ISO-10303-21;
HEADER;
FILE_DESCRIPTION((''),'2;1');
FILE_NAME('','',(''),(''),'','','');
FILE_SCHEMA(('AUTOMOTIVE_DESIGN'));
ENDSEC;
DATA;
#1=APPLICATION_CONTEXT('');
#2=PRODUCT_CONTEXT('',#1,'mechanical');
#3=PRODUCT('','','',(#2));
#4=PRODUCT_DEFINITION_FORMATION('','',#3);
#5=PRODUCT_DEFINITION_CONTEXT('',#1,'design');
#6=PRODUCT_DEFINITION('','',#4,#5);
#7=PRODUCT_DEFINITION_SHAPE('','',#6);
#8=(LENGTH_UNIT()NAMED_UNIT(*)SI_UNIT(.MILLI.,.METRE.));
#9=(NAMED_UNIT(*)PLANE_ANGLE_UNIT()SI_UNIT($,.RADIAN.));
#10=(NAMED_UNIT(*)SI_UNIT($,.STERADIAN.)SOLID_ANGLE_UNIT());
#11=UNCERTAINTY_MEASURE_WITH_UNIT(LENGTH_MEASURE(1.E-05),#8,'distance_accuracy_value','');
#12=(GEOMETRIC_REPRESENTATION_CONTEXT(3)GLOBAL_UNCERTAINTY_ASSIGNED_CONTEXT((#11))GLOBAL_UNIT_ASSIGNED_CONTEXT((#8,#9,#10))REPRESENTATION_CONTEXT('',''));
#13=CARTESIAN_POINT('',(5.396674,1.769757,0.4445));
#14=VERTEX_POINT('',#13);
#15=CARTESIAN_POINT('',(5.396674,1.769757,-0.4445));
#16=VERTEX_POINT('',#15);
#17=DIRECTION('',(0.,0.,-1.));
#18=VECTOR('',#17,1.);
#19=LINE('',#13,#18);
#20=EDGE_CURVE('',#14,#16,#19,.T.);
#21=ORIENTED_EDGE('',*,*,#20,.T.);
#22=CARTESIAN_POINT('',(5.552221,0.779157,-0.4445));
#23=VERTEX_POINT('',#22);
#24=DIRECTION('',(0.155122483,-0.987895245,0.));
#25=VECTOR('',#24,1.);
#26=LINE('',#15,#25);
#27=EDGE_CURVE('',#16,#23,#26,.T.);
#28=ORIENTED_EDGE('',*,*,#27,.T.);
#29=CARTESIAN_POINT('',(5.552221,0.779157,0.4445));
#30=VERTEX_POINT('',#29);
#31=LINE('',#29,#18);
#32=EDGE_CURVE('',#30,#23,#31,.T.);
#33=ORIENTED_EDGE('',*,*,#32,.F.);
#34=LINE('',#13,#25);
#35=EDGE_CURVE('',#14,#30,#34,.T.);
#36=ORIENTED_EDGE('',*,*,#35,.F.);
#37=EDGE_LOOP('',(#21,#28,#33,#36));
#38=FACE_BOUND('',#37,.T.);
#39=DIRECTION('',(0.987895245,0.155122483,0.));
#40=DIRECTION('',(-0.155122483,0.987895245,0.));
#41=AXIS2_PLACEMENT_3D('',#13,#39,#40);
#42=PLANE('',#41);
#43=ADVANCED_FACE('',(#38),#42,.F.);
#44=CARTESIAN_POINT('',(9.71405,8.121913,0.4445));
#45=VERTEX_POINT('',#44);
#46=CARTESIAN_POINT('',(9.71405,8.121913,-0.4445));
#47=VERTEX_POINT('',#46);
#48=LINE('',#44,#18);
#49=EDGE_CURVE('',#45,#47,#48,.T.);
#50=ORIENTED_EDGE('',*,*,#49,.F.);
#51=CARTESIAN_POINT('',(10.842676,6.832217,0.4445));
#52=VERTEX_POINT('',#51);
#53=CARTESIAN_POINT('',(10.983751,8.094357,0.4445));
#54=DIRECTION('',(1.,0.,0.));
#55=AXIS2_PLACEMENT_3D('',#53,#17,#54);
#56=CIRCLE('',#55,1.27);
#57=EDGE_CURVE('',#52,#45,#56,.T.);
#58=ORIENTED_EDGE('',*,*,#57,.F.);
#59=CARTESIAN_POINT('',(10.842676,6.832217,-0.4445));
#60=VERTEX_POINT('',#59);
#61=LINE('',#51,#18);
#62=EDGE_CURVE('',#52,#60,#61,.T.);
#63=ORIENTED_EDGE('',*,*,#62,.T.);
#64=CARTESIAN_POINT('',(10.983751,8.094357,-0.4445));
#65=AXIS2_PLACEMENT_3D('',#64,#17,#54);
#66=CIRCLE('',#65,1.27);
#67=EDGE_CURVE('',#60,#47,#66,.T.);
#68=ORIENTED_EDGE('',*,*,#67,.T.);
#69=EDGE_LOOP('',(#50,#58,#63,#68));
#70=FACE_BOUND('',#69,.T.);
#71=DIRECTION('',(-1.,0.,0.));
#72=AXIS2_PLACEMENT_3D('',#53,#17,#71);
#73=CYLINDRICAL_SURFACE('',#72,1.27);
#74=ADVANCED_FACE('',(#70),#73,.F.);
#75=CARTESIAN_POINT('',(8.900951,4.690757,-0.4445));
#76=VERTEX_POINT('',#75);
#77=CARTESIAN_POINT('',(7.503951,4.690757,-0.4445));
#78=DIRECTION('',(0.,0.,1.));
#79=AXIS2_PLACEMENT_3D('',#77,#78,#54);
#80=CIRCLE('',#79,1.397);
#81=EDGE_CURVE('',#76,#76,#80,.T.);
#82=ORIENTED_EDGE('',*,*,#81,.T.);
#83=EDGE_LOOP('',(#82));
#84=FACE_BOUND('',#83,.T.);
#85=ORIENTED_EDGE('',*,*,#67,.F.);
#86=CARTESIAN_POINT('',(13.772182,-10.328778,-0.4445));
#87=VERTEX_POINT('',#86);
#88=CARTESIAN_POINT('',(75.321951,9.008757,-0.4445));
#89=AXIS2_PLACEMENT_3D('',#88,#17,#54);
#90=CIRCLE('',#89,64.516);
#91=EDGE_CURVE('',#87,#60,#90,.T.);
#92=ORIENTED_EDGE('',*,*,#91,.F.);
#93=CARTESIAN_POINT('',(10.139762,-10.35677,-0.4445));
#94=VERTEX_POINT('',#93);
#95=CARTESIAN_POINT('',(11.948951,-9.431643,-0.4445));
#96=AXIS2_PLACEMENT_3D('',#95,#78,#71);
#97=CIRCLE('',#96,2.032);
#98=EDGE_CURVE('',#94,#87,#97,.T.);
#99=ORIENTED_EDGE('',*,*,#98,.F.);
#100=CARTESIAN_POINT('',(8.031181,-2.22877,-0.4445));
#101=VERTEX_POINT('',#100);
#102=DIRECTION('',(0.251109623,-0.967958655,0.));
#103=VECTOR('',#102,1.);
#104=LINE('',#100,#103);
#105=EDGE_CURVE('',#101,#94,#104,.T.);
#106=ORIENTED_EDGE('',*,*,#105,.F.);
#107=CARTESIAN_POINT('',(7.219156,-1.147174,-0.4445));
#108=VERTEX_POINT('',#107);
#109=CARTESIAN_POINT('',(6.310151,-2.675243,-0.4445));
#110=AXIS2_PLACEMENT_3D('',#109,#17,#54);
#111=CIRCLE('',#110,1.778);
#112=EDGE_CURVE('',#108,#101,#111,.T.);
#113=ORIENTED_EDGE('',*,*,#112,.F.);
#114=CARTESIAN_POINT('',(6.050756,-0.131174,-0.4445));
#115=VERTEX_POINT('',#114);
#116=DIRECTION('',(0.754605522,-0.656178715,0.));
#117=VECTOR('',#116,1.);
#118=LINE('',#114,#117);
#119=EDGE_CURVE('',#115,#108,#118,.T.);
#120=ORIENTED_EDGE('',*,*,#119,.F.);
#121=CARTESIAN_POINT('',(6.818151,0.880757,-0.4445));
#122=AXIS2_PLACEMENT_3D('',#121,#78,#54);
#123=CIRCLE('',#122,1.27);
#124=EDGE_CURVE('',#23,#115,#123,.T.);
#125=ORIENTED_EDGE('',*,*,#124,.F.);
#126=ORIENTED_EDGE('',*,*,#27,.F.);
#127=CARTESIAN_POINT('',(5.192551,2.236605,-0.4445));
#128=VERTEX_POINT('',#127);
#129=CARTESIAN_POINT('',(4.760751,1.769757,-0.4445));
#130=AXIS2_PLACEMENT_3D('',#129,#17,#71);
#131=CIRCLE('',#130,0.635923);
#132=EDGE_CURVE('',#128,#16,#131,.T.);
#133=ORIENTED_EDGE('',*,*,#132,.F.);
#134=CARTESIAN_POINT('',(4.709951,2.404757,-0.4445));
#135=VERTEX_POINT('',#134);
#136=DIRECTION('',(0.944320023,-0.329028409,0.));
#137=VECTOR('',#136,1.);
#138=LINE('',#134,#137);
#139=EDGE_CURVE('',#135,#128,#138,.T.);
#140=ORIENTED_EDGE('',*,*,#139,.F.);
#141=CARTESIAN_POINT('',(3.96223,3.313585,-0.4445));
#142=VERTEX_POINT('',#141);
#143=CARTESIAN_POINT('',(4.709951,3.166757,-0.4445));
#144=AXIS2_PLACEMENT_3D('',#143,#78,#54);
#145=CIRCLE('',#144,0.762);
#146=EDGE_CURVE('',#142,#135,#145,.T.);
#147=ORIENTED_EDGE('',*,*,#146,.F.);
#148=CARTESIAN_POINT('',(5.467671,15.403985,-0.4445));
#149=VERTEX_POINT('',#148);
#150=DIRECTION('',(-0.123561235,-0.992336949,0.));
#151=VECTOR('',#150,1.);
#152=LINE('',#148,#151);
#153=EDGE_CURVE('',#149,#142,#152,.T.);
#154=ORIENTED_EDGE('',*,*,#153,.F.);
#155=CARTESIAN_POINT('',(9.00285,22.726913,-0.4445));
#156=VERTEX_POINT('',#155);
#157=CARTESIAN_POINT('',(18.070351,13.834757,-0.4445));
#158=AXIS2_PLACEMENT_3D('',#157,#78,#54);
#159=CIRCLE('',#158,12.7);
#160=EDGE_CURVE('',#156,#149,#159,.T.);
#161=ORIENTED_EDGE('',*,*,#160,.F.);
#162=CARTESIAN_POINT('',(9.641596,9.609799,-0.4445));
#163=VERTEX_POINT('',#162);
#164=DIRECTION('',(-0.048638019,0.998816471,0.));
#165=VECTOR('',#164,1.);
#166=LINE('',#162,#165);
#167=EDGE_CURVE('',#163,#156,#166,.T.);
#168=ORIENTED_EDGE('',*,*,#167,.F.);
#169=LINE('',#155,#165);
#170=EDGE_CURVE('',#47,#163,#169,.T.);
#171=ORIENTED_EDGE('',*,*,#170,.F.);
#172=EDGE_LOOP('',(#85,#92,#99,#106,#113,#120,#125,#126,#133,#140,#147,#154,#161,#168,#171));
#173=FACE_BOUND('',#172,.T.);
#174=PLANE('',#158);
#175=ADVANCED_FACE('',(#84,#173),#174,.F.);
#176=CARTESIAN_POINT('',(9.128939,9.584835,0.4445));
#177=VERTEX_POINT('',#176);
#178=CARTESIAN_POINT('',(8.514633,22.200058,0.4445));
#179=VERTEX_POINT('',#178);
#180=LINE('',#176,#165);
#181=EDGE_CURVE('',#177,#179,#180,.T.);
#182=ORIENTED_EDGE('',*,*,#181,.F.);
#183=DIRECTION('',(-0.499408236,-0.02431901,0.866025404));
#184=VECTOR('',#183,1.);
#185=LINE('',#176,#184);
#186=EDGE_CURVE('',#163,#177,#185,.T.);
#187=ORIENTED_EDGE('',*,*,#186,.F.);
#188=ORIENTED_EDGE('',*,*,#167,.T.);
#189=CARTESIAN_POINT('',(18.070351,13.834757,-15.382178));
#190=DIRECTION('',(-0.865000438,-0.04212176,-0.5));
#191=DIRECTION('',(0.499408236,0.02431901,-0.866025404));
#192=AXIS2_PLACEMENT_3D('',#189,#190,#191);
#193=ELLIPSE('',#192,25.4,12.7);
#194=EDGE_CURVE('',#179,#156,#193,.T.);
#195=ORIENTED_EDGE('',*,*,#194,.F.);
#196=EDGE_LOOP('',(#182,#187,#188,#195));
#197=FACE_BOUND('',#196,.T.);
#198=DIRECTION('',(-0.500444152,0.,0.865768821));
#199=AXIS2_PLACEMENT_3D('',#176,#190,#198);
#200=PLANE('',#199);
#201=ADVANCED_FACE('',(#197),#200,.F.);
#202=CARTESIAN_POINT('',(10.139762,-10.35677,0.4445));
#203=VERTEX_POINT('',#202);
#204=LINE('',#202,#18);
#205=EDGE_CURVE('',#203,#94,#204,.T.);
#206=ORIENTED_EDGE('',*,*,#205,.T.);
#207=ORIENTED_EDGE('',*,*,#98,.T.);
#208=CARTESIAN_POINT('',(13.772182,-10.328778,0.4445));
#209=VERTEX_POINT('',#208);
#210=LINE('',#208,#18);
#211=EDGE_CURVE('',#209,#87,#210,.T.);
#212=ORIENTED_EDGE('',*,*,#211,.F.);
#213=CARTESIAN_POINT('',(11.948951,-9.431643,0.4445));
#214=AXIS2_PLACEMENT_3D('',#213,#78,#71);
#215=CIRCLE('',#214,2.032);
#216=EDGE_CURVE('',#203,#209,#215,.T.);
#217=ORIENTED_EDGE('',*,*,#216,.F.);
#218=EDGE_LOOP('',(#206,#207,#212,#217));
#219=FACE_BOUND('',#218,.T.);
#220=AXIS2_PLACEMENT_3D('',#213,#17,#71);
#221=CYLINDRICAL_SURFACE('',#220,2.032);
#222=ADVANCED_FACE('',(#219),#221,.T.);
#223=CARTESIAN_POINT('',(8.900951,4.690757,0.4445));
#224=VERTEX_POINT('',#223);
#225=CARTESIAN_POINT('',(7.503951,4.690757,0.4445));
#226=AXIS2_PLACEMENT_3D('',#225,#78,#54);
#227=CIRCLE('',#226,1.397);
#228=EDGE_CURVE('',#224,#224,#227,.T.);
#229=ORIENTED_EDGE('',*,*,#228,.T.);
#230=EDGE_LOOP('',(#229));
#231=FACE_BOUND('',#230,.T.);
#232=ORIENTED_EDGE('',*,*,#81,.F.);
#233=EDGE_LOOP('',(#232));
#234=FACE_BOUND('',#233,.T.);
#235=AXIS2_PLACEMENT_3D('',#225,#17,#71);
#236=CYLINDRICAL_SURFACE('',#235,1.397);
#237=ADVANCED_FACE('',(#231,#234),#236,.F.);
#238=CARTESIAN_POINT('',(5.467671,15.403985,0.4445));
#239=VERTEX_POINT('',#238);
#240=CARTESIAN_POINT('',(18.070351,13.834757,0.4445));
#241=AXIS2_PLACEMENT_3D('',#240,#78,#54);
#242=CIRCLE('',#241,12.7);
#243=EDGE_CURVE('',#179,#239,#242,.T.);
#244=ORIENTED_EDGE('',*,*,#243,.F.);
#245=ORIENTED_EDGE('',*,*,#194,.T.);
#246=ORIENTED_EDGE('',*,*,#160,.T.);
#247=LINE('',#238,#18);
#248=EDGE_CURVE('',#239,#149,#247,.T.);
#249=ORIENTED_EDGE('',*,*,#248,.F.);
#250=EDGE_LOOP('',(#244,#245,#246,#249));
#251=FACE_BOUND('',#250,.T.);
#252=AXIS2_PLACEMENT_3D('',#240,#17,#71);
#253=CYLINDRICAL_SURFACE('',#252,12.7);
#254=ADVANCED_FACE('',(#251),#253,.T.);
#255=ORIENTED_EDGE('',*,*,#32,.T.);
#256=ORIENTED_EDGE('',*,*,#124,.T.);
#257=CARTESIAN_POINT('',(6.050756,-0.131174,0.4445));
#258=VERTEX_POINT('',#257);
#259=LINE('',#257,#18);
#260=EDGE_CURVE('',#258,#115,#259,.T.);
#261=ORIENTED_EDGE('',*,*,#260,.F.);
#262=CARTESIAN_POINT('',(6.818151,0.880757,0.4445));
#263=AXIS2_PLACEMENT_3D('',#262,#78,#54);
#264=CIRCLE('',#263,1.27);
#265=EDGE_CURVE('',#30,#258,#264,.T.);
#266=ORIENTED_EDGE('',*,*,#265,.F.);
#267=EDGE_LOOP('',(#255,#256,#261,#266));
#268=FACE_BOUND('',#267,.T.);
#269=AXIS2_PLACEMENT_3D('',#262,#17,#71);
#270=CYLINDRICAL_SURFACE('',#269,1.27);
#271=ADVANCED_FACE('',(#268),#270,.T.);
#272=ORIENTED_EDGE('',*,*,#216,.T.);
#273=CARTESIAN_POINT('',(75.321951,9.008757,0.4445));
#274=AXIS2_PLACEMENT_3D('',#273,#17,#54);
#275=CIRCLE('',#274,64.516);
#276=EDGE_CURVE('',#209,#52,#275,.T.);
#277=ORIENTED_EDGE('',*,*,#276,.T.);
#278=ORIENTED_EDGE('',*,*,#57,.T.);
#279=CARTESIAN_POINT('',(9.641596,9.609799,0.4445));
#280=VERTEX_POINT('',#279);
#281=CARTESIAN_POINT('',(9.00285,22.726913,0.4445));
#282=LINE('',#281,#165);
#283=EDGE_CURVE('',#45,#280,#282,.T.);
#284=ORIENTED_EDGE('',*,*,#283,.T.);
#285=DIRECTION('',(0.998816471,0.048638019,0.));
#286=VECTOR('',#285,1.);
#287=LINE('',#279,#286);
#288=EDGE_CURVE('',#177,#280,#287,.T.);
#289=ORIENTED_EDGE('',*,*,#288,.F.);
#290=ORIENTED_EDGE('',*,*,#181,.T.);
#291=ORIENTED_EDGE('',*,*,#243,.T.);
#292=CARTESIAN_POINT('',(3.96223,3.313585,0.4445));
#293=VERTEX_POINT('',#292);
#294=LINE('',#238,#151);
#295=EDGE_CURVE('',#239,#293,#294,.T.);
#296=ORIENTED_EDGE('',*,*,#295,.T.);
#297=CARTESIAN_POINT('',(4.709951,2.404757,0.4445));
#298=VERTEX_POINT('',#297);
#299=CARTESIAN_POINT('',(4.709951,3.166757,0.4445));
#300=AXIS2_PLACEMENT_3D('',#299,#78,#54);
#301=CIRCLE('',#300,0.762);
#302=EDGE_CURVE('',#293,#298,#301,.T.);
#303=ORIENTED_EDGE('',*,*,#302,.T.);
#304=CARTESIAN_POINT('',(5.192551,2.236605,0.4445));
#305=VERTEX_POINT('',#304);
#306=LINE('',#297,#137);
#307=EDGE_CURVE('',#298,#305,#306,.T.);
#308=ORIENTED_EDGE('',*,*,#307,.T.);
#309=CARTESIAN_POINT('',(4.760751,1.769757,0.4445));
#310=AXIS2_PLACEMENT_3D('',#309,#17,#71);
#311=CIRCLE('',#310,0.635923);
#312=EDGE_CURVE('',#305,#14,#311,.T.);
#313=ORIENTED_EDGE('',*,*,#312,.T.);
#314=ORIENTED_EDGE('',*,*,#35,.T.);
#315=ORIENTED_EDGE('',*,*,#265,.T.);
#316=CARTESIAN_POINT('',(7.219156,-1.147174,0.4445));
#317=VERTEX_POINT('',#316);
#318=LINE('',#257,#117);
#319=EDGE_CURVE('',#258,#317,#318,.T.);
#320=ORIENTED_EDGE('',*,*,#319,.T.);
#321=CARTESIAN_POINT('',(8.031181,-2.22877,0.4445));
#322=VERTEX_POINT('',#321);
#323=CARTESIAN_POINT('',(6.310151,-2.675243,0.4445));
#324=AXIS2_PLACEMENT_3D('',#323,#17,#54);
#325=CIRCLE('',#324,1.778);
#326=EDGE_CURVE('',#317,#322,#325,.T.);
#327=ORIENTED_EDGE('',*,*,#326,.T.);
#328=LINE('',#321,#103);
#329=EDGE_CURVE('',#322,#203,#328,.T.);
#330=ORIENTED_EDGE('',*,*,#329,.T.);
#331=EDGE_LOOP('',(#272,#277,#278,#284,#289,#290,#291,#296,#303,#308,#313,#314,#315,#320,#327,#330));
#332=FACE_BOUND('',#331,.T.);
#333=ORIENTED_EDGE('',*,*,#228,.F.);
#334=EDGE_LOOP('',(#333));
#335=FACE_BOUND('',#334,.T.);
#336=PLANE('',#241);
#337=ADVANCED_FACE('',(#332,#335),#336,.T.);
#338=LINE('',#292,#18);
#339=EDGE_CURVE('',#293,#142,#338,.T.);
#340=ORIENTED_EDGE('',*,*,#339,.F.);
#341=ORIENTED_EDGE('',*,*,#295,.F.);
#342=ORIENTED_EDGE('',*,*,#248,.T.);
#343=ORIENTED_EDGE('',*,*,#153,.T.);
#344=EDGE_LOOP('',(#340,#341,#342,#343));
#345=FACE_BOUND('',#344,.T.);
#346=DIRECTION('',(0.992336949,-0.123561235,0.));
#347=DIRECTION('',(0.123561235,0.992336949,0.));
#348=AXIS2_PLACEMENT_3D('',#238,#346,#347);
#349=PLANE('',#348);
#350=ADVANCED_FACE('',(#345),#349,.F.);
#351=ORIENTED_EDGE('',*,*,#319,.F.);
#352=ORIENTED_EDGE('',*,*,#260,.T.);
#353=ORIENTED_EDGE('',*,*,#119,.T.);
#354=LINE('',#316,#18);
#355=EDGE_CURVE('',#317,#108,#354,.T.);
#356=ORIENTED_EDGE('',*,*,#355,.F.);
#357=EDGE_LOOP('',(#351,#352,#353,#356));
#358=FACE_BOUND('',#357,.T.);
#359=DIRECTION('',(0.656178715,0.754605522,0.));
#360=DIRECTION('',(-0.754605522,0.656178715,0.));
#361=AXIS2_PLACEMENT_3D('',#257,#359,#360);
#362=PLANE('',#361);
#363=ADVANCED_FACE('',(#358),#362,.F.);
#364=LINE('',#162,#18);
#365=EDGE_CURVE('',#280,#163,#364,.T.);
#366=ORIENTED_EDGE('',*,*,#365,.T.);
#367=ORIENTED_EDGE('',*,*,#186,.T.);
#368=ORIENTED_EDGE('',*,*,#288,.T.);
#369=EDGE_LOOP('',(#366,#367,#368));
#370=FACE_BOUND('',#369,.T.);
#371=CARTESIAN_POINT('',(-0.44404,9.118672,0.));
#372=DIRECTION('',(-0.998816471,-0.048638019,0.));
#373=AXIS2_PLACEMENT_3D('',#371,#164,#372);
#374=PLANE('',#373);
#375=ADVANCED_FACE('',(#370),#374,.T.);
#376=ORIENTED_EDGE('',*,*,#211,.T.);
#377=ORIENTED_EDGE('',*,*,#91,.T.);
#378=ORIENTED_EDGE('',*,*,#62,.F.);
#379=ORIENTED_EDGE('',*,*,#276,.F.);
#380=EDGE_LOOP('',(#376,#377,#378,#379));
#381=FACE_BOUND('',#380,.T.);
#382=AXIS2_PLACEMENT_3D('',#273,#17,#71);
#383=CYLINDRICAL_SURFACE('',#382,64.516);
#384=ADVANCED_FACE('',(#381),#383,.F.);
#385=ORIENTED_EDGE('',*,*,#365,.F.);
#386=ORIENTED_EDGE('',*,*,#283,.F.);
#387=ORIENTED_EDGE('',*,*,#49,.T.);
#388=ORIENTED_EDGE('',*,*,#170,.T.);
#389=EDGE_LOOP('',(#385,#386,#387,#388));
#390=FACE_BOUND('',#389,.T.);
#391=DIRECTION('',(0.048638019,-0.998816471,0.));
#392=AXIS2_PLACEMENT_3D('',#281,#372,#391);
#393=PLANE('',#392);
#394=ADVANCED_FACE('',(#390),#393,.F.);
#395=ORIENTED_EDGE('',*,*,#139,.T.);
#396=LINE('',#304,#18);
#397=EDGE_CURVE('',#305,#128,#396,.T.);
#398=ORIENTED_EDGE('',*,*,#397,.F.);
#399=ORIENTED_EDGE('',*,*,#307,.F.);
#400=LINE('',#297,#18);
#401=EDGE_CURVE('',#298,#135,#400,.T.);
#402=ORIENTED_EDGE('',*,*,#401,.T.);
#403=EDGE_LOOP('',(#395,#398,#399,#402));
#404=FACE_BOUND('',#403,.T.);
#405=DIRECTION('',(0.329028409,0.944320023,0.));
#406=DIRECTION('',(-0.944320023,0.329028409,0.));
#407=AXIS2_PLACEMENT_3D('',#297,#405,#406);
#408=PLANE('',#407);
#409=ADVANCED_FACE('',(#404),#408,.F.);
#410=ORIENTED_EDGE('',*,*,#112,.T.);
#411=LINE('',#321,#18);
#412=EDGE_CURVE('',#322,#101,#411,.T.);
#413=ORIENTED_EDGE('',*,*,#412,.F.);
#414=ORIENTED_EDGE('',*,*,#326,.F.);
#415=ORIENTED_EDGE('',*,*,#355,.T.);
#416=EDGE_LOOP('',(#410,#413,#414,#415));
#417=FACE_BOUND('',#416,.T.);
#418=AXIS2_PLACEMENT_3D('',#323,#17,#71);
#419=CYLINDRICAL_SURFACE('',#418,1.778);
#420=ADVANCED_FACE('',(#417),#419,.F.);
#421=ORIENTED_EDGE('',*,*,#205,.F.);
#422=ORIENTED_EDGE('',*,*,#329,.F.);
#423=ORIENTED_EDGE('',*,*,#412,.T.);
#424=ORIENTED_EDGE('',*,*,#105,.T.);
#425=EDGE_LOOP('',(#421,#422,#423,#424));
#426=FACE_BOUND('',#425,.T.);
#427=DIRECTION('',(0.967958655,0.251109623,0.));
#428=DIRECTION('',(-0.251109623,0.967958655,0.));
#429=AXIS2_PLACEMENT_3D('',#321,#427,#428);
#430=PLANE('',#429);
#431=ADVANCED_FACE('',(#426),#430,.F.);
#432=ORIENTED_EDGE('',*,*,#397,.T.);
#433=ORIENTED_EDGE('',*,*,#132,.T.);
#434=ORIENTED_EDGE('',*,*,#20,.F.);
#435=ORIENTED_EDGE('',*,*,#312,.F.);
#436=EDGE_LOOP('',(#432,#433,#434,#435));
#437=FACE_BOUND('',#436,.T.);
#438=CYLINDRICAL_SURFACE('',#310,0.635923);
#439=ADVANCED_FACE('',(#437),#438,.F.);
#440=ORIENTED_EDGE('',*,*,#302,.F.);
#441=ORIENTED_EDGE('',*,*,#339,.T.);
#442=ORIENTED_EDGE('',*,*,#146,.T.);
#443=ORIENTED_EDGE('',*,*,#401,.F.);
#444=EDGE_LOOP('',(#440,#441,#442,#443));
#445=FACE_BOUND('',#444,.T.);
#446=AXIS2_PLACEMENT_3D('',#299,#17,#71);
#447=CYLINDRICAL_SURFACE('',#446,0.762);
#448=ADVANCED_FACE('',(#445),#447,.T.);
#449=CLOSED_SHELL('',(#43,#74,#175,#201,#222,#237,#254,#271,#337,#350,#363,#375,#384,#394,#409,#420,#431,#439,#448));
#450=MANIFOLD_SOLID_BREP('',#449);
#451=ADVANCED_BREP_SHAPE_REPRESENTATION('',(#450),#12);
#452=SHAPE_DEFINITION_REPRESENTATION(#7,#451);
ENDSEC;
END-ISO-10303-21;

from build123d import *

# Parameters (mm, degrees)
SKETCH1_R           = 1.397
BOSS_EXTRUDE1_DEPTH = 0.4445
CUT_EXTRUDE4_DEPTH  = 16.51


with BuildPart() as part:
    # Sketch1 → Boss-Extrude1 (new body, symmetric)
    with BuildSketch(Plane.XY):
        with BuildLine():
            Line((9.00284972, 22.726912505), (9.71404972, 8.121912505))
            ThreePointArc((9.71404972, 8.121912505), (10.028030629, 7.257996655), (10.842675562, 6.832217089))
            ThreePointArc((10.842675562, 6.832217089), (11.725921803, -1.84754774), (13.772182249, -10.328777579))
            ThreePointArc((13.772182249, -10.328777579), (11.964609342, -11.463582415), (10.13976202, -10.356769839))
            Line((10.13976202, -10.356769839), (8.031181239, -2.228769839))
            ThreePointArc((8.031181239, -2.228769839), (7.732027762, -1.607745785), (7.219155962, -1.147174187))
            Line((7.219155962, -1.147174187), (6.050755962, -0.131174187))
            ThreePointArc((6.050755962, -0.131174187), (5.704248725, 0.270738994), (5.552221275, 0.779157252))
            Line((5.552221275, 0.779157252), (5.396674082, 1.769757252))
            ThreePointArc((5.396674082, 1.769757252), (5.343412822, 2.024518698), (5.192550751, 2.236605453))
            Line((5.192550751, 2.236605453), (4.709950751, 2.404757252))
            ThreePointArc((4.709950751, 2.404757252), (4.121509293, 2.682628498), (3.962230463, 3.313584941))
            Line((3.962230463, 3.313584941), (5.467671494, 15.403984941))
            ThreePointArc((5.467671494, 15.403984941), (6.633327736, 19.356034689), (9.00284972, 22.726912505))
        make_face()
        with Locations((7.503950751, 4.690757252)):
            Circle(SKETCH1_R, mode=Mode.SUBTRACT)
    extrude(amount=BOSS_EXTRUDE1_DEPTH, both=True)

    # Sketch2 → Cut-Extrude4 (cut)
    with BuildSketch(Plane(origin=(-1.247053398, 25.609132285, 0), x_dir=(0.998816471, 0.048638019, 0), z_dir=(-0.048638019, 0.998816471, 0))):
        Polygon((10.097586601, 0.4445), (10.097586601, -0.4445), (9.584322211, -0.4445), align=None)
    extrude(amount=-CUT_EXTRUDE4_DEPTH, mode=Mode.SUBTRACT)


solid = part.part
